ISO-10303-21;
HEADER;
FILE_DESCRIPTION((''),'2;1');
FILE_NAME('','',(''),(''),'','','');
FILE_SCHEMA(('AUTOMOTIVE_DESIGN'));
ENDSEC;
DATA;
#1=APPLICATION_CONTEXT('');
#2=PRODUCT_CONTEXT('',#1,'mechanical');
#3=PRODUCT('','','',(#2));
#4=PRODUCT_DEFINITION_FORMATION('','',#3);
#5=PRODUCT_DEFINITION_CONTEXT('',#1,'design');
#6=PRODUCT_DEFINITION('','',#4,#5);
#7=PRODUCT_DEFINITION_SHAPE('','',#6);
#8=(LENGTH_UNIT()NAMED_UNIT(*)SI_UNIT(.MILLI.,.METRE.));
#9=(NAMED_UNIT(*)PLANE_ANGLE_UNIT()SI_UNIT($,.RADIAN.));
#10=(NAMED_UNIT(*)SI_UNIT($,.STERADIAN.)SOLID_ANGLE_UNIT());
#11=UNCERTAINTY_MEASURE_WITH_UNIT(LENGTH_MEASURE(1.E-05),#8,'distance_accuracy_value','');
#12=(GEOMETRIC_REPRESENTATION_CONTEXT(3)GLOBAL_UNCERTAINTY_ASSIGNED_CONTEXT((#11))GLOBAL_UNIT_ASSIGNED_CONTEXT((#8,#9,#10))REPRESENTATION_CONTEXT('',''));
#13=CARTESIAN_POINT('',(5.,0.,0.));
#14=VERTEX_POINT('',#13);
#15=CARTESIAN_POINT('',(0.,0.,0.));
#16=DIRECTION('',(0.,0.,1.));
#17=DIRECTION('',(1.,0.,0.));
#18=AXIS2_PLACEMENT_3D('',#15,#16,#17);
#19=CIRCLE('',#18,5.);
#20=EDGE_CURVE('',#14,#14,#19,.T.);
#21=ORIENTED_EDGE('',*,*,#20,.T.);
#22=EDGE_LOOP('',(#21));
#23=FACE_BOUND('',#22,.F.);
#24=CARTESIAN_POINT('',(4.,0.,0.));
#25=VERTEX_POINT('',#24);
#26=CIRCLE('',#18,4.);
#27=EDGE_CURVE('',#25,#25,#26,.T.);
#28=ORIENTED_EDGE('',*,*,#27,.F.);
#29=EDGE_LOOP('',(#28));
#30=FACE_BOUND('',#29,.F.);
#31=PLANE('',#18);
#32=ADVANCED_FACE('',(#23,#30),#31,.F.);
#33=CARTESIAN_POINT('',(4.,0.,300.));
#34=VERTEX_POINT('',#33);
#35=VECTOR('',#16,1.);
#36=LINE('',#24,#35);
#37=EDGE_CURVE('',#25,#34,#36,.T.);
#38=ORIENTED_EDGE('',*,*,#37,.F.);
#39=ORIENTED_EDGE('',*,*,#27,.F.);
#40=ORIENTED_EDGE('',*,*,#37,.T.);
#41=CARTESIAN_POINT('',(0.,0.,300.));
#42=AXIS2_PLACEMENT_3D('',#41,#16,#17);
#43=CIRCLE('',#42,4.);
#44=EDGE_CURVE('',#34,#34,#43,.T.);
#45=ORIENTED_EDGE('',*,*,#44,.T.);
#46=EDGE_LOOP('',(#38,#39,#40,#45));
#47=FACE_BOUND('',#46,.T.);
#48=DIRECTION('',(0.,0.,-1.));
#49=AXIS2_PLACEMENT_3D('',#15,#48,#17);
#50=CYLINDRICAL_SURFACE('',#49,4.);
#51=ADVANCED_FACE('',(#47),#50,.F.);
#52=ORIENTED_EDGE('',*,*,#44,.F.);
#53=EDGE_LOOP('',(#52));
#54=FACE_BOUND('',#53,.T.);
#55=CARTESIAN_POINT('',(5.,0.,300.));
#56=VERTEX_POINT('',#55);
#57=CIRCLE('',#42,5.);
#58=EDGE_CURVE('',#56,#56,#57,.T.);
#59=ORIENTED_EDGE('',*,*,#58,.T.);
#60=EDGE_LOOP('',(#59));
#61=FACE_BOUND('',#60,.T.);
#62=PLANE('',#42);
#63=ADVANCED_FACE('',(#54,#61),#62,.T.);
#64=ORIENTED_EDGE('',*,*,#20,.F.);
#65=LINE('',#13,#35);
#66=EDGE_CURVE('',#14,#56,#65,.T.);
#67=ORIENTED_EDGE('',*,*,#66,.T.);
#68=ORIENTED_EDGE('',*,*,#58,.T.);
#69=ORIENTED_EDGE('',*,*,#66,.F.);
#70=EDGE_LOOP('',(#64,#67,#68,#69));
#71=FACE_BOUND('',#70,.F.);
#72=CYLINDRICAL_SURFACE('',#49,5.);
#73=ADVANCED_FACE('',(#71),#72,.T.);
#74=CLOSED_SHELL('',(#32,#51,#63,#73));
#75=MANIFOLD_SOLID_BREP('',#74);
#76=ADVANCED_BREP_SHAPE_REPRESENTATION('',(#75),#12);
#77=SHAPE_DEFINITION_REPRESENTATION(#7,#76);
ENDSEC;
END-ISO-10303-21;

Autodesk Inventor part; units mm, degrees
ref_plane "YZ Plane" through (0, 0, 0) normal (1, 0, 0) x (0, 1, 0)
ref_plane "XZ Plane" through (0, 0, 0) normal (0, 1, 0) x (-1, 0, 0)
ref_plane "XY Plane" through (0, 0, 0) normal (0, 0, 1) x (1, 0, 0)
sketch "Sketch1" plane through (0, 0, 0) normal (0, 0, 1) x (1, 0, 0)
  circle A0 centre (0, 0) radius 4
  circle A1 centre (0, 0) radius 5
  dimension "d0" = 8
  dimension "d1" = 10
extrude "Extrusion1" add sketch "Sketch1" along normal blind 300
properties part number "LongCF"
